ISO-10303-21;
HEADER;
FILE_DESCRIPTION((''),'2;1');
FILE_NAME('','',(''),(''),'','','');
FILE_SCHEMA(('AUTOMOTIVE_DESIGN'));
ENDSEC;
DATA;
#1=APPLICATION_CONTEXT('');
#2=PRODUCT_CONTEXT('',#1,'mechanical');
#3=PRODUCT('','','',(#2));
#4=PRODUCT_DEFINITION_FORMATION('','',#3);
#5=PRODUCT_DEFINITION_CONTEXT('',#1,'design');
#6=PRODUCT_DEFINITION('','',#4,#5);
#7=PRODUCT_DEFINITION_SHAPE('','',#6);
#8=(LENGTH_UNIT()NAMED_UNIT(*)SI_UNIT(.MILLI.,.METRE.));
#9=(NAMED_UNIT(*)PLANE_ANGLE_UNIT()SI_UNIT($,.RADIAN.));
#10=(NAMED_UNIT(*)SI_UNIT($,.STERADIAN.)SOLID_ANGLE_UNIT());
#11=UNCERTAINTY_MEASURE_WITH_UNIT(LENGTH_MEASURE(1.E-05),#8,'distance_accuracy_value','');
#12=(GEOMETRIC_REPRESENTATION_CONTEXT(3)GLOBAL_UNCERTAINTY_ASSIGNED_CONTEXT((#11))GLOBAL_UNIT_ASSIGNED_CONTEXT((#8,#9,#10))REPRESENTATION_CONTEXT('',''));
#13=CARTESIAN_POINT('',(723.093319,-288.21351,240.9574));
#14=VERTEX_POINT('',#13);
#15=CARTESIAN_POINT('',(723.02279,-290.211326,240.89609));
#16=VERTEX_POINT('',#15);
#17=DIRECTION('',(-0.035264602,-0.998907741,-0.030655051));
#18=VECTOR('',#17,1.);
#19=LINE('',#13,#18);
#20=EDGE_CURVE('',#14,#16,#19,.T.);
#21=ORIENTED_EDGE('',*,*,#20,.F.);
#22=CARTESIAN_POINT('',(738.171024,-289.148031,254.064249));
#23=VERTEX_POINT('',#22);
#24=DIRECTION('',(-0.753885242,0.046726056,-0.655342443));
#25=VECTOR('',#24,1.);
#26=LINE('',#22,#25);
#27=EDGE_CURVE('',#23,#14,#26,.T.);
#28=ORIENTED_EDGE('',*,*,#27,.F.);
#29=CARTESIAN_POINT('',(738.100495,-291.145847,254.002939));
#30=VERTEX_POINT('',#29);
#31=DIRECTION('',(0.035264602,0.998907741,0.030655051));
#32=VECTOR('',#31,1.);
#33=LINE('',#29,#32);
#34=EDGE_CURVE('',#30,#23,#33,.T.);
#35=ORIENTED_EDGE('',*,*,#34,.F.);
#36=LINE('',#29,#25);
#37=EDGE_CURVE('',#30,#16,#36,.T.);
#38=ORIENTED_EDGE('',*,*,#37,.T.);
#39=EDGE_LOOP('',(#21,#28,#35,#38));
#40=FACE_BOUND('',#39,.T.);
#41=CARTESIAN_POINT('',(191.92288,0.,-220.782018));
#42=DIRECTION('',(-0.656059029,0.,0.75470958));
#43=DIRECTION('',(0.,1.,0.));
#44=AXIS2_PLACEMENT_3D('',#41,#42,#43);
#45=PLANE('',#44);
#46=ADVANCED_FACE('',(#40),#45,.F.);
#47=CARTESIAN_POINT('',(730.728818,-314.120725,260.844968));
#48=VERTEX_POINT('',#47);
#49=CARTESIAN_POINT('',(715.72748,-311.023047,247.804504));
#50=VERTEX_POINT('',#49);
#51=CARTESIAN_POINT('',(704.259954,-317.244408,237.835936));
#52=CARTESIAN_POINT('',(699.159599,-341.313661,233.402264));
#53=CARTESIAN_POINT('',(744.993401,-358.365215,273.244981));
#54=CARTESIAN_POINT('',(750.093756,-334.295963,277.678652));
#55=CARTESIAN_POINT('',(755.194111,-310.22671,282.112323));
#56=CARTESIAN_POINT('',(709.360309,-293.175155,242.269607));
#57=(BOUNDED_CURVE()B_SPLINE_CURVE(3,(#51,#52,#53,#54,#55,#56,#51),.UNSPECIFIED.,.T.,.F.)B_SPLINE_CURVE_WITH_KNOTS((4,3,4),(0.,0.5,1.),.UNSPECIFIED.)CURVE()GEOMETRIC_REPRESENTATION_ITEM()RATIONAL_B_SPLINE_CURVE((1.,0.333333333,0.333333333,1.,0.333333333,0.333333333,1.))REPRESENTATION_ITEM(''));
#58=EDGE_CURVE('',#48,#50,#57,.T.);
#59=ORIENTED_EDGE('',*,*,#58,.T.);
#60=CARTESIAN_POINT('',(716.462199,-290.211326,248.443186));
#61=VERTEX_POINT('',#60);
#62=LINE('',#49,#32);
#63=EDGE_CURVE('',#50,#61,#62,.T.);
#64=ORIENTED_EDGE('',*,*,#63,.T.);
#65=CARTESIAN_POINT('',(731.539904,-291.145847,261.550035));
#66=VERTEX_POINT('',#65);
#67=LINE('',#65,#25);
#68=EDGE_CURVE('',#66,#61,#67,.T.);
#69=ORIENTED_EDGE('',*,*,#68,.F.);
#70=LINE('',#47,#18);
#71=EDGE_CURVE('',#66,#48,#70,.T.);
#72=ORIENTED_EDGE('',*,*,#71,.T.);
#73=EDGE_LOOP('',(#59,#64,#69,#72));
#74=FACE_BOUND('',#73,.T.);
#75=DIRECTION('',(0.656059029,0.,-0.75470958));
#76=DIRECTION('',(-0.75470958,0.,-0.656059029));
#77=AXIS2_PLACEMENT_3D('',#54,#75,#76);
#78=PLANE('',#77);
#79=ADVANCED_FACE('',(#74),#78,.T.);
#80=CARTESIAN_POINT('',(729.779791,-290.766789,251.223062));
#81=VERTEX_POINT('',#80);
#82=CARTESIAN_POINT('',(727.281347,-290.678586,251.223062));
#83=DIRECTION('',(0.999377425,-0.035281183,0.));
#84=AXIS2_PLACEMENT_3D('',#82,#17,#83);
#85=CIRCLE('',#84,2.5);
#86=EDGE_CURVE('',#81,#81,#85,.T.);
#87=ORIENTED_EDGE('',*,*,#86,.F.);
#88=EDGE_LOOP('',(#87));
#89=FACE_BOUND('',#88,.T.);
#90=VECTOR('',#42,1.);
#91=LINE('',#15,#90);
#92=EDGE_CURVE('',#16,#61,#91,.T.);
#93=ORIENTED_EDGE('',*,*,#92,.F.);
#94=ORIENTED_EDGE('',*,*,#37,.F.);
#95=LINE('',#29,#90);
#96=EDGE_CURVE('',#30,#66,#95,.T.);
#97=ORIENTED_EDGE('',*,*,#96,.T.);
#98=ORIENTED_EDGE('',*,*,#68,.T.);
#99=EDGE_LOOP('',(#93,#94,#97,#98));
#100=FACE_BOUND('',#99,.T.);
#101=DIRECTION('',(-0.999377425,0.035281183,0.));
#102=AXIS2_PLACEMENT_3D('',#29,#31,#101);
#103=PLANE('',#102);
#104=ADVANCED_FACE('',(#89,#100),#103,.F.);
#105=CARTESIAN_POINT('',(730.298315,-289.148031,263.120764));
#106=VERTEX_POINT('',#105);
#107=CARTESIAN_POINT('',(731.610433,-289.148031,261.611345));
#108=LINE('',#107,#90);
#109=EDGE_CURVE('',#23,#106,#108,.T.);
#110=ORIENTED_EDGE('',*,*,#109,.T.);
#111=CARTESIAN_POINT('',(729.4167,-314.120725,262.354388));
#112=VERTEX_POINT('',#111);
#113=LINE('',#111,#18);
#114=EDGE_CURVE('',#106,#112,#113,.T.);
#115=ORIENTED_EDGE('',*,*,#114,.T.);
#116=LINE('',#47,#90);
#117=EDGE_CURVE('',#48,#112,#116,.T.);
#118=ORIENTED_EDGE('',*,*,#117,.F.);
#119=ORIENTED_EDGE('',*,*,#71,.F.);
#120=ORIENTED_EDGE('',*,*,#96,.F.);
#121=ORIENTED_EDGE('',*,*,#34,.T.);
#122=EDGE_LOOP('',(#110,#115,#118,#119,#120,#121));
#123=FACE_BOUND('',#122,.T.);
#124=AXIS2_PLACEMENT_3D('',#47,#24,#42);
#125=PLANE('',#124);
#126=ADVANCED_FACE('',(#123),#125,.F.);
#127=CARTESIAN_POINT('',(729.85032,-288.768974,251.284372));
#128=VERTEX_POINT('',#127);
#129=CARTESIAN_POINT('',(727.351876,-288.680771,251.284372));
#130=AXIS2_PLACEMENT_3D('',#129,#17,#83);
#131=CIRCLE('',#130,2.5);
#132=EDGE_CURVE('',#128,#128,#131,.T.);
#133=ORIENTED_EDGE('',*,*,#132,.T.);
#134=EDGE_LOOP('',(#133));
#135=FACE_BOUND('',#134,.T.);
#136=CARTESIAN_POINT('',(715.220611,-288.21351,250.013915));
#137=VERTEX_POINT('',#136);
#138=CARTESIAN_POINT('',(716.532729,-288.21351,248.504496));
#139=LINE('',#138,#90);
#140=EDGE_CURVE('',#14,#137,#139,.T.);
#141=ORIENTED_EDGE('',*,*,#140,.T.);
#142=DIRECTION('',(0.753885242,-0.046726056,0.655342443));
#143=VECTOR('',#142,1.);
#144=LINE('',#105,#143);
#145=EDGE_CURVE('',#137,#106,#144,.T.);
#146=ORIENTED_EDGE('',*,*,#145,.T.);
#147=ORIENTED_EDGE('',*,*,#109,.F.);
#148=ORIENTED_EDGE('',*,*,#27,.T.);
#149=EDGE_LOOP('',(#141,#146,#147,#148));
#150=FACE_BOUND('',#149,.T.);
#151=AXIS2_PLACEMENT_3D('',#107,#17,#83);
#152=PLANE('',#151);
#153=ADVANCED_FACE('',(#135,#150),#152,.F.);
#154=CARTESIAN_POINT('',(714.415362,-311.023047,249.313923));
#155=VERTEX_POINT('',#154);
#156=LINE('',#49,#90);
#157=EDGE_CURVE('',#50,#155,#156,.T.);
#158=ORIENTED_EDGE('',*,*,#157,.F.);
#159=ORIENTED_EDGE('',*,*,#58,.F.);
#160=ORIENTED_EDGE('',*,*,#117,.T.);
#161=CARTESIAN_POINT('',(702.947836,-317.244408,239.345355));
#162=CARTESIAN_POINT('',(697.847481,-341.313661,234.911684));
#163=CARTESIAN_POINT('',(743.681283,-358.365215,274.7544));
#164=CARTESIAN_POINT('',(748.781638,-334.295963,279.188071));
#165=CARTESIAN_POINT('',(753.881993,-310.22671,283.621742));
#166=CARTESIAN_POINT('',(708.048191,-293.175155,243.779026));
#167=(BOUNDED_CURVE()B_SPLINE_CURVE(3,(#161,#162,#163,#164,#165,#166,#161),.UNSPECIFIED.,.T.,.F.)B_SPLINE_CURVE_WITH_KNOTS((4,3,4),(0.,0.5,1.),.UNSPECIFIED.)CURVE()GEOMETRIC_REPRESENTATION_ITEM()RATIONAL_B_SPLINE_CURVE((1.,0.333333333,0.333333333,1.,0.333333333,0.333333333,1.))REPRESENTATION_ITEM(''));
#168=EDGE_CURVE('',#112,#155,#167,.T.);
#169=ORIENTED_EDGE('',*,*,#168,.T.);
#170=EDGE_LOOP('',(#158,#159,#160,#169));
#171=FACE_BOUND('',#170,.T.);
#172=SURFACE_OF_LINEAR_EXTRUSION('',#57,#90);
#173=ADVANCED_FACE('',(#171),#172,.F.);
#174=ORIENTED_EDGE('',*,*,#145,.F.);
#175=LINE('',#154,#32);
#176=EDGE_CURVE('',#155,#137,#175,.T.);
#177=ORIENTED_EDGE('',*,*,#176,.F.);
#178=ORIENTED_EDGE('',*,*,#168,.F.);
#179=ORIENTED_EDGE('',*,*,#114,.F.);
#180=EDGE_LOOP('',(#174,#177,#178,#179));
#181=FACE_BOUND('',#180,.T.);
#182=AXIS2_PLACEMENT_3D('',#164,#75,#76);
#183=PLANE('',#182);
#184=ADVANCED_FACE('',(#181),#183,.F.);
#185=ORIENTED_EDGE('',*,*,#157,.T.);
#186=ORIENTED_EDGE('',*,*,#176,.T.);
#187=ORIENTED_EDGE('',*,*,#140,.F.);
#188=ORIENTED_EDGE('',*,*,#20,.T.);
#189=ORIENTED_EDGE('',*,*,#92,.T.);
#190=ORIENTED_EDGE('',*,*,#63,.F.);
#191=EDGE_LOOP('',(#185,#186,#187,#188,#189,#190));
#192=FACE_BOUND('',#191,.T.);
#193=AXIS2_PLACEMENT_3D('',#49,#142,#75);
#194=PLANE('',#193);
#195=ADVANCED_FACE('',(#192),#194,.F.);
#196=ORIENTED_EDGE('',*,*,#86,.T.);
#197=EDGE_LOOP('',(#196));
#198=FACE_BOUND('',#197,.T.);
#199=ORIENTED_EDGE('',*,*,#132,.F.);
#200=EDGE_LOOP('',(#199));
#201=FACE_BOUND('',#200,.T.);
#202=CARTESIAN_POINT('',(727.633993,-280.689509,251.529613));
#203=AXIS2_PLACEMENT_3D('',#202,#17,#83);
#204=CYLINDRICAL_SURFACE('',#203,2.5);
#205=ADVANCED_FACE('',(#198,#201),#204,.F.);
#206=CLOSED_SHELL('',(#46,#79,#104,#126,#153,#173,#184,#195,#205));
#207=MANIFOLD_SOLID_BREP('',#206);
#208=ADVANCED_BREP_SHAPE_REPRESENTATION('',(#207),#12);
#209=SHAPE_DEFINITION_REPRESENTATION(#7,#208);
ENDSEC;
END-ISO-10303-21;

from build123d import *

# Parameters (mm, degrees)
DODANIE_WYCI_GNI_CIE1_DEPTH       = 2
WYCI_GNI_CIE_CIENKA_CIANKA1_DEPTH = 10
SZKIC3_R                          = 2.5
WYTNIJ_WYCI_GNI_CIE1_DEPTH        = 10


with BuildPart() as part:
    # Szkic1 → Dodanie-wyciągnięcie1 (new body)
    with BuildSketch(Plane(origin=(184.050171811, 0, -211.725502995), x_dir=(-0.75470958, 0, -0.656059029), z_dir=(0.656059029, 0, -0.75470958))):
        with BuildLine():
            Line((-722.617736481, -314.120725024), (-723.785887875, -289.14803149))
            Line((-723.785887875, -289.14803149), (-703.807733048, -288.213510375))
            Line((-703.807733048, -288.213510375), (-702.74076796, -311.023047123))
            add(Edge.make_bspline(
                [(-722.617736481, -314.120725024), (-715.581558407, -312.012536185), (-708.710440218, -310.976356299), (-702.74076796, -311.023047123)],
                knots=[0.744519777, 0.744519777, 0.744519777, 0.744519777, 0.831521887, 0.831521887, 0.831521887, 0.831521887], degree=3, weights=[0.500240263, 0.497697377, 0.515339471, 0.553166544]))
        make_face()
    extrude(amount=DODANIE_WYCI_GNI_CIE1_DEPTH)

    # Szkic2 → Wyciągnięcie-cienka ścianka1 (add)
    with BuildSketch(Plane(origin=(185.362289869, 0, -213.234922155), x_dir=(-0.75470958, 0, -0.656059029), z_dir=(0.656059029, 0, -0.75470958))):
        Polygon((-723.785887875, -289.14803149), (-703.807733048, -288.213510375), (-703.714280936, -290.211325858), (-723.692435763, -291.145846973), align=None)
    extrude(amount=WYCI_GNI_CIE_CIENKA_CIANKA1_DEPTH)

    # Szkic3 → Wytnij-wyciągnięcie1 (cut)
    with BuildSketch(Plane(origin=(-9.063445171, -256.731823112, -7.878732686), x_dir=(-0.999377978, 0.035240125, 0.001338532), z_dir=(-0.035264602, -0.998907741, -0.030655051))):
        with Locations((-736.736241375, -260.210465694)):
            Circle(SZKIC3_R)
    extrude(amount=-WYTNIJ_WYCI_GNI_CIE1_DEPTH, mode=Mode.SUBTRACT)


solid = part.part
